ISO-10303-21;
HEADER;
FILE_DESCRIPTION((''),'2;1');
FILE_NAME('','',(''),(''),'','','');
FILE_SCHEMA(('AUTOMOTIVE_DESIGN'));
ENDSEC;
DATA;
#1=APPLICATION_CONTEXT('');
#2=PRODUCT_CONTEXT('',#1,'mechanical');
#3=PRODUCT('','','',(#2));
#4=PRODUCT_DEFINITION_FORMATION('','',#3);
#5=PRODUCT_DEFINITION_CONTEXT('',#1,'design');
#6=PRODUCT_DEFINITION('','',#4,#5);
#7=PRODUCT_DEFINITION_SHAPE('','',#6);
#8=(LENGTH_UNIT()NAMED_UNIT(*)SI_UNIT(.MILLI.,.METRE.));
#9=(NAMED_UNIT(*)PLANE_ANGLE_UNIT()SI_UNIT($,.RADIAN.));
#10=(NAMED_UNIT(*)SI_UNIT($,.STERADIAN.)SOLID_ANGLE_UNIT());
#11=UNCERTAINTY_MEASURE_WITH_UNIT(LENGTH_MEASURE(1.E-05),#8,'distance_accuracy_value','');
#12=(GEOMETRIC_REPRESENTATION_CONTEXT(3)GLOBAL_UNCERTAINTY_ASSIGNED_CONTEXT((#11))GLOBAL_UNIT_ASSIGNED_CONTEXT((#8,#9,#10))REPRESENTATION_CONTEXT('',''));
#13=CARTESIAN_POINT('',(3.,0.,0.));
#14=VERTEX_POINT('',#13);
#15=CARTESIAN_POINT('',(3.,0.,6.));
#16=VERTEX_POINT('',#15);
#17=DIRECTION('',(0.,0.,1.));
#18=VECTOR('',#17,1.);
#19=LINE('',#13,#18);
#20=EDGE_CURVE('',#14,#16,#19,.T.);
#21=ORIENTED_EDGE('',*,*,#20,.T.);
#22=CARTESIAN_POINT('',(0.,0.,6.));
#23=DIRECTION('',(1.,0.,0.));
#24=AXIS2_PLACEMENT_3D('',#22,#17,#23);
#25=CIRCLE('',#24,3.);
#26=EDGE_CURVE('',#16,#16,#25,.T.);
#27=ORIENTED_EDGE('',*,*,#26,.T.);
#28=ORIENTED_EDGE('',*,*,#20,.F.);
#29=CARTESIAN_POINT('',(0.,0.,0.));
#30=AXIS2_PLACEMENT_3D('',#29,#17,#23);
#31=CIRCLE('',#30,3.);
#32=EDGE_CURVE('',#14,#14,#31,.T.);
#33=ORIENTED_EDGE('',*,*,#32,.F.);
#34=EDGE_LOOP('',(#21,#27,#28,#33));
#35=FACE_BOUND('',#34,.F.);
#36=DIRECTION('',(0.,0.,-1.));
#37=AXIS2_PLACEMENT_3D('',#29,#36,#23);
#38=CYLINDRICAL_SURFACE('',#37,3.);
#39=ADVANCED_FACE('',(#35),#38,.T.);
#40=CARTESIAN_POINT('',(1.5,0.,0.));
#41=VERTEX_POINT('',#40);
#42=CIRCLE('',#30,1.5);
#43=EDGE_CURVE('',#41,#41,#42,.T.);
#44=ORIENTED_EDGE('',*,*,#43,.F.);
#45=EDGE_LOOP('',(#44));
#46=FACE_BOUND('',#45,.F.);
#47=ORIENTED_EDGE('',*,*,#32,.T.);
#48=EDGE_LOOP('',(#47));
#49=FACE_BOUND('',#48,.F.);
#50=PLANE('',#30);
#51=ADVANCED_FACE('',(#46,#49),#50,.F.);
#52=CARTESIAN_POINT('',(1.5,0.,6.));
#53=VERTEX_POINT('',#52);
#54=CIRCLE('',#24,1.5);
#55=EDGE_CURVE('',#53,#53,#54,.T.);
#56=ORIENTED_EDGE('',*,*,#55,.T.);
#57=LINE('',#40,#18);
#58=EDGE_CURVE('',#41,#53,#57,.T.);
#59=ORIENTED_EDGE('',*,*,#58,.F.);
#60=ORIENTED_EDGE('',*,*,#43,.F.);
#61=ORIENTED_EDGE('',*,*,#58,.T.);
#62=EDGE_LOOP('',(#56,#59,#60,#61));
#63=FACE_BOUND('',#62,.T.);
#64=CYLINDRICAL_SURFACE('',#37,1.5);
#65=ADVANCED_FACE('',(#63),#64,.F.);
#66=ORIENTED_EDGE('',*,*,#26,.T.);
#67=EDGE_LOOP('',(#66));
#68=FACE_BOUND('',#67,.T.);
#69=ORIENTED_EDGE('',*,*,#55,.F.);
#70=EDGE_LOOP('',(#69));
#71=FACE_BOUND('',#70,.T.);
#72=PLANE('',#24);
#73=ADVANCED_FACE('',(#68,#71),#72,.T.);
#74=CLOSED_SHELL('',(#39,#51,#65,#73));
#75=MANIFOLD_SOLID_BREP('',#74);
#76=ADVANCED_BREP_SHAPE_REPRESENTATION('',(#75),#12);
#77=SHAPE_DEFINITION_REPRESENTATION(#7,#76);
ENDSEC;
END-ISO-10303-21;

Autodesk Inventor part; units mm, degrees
ref_plane "YZ Plane" through (0, 0, 0) normal (1, 0, 0) x (0, 1, 0)
ref_plane "XZ Plane" through (0, 0, 0) normal (0, 1, 0) x (-1, 0, 0)
ref_plane "XY Plane" through (0, 0, 0) normal (0, 0, 1) x (1, 0, 0)
sketch "スケッチ1" plane through (0, 0, 0) normal (0, 0, 1) x (1, 0, 0)
  circle A0 centre (0, 0) radius 3
  circle A1 centre (0, 0) radius 1.5
  dimension "d0" = 6
  dimension "d1" = 3
extrude "押し出し1" add sketch "スケッチ1" along normal blind 6
properties part number "ABSスペーサーm3-6　簡易筒型" material "ABS プラスチック"
